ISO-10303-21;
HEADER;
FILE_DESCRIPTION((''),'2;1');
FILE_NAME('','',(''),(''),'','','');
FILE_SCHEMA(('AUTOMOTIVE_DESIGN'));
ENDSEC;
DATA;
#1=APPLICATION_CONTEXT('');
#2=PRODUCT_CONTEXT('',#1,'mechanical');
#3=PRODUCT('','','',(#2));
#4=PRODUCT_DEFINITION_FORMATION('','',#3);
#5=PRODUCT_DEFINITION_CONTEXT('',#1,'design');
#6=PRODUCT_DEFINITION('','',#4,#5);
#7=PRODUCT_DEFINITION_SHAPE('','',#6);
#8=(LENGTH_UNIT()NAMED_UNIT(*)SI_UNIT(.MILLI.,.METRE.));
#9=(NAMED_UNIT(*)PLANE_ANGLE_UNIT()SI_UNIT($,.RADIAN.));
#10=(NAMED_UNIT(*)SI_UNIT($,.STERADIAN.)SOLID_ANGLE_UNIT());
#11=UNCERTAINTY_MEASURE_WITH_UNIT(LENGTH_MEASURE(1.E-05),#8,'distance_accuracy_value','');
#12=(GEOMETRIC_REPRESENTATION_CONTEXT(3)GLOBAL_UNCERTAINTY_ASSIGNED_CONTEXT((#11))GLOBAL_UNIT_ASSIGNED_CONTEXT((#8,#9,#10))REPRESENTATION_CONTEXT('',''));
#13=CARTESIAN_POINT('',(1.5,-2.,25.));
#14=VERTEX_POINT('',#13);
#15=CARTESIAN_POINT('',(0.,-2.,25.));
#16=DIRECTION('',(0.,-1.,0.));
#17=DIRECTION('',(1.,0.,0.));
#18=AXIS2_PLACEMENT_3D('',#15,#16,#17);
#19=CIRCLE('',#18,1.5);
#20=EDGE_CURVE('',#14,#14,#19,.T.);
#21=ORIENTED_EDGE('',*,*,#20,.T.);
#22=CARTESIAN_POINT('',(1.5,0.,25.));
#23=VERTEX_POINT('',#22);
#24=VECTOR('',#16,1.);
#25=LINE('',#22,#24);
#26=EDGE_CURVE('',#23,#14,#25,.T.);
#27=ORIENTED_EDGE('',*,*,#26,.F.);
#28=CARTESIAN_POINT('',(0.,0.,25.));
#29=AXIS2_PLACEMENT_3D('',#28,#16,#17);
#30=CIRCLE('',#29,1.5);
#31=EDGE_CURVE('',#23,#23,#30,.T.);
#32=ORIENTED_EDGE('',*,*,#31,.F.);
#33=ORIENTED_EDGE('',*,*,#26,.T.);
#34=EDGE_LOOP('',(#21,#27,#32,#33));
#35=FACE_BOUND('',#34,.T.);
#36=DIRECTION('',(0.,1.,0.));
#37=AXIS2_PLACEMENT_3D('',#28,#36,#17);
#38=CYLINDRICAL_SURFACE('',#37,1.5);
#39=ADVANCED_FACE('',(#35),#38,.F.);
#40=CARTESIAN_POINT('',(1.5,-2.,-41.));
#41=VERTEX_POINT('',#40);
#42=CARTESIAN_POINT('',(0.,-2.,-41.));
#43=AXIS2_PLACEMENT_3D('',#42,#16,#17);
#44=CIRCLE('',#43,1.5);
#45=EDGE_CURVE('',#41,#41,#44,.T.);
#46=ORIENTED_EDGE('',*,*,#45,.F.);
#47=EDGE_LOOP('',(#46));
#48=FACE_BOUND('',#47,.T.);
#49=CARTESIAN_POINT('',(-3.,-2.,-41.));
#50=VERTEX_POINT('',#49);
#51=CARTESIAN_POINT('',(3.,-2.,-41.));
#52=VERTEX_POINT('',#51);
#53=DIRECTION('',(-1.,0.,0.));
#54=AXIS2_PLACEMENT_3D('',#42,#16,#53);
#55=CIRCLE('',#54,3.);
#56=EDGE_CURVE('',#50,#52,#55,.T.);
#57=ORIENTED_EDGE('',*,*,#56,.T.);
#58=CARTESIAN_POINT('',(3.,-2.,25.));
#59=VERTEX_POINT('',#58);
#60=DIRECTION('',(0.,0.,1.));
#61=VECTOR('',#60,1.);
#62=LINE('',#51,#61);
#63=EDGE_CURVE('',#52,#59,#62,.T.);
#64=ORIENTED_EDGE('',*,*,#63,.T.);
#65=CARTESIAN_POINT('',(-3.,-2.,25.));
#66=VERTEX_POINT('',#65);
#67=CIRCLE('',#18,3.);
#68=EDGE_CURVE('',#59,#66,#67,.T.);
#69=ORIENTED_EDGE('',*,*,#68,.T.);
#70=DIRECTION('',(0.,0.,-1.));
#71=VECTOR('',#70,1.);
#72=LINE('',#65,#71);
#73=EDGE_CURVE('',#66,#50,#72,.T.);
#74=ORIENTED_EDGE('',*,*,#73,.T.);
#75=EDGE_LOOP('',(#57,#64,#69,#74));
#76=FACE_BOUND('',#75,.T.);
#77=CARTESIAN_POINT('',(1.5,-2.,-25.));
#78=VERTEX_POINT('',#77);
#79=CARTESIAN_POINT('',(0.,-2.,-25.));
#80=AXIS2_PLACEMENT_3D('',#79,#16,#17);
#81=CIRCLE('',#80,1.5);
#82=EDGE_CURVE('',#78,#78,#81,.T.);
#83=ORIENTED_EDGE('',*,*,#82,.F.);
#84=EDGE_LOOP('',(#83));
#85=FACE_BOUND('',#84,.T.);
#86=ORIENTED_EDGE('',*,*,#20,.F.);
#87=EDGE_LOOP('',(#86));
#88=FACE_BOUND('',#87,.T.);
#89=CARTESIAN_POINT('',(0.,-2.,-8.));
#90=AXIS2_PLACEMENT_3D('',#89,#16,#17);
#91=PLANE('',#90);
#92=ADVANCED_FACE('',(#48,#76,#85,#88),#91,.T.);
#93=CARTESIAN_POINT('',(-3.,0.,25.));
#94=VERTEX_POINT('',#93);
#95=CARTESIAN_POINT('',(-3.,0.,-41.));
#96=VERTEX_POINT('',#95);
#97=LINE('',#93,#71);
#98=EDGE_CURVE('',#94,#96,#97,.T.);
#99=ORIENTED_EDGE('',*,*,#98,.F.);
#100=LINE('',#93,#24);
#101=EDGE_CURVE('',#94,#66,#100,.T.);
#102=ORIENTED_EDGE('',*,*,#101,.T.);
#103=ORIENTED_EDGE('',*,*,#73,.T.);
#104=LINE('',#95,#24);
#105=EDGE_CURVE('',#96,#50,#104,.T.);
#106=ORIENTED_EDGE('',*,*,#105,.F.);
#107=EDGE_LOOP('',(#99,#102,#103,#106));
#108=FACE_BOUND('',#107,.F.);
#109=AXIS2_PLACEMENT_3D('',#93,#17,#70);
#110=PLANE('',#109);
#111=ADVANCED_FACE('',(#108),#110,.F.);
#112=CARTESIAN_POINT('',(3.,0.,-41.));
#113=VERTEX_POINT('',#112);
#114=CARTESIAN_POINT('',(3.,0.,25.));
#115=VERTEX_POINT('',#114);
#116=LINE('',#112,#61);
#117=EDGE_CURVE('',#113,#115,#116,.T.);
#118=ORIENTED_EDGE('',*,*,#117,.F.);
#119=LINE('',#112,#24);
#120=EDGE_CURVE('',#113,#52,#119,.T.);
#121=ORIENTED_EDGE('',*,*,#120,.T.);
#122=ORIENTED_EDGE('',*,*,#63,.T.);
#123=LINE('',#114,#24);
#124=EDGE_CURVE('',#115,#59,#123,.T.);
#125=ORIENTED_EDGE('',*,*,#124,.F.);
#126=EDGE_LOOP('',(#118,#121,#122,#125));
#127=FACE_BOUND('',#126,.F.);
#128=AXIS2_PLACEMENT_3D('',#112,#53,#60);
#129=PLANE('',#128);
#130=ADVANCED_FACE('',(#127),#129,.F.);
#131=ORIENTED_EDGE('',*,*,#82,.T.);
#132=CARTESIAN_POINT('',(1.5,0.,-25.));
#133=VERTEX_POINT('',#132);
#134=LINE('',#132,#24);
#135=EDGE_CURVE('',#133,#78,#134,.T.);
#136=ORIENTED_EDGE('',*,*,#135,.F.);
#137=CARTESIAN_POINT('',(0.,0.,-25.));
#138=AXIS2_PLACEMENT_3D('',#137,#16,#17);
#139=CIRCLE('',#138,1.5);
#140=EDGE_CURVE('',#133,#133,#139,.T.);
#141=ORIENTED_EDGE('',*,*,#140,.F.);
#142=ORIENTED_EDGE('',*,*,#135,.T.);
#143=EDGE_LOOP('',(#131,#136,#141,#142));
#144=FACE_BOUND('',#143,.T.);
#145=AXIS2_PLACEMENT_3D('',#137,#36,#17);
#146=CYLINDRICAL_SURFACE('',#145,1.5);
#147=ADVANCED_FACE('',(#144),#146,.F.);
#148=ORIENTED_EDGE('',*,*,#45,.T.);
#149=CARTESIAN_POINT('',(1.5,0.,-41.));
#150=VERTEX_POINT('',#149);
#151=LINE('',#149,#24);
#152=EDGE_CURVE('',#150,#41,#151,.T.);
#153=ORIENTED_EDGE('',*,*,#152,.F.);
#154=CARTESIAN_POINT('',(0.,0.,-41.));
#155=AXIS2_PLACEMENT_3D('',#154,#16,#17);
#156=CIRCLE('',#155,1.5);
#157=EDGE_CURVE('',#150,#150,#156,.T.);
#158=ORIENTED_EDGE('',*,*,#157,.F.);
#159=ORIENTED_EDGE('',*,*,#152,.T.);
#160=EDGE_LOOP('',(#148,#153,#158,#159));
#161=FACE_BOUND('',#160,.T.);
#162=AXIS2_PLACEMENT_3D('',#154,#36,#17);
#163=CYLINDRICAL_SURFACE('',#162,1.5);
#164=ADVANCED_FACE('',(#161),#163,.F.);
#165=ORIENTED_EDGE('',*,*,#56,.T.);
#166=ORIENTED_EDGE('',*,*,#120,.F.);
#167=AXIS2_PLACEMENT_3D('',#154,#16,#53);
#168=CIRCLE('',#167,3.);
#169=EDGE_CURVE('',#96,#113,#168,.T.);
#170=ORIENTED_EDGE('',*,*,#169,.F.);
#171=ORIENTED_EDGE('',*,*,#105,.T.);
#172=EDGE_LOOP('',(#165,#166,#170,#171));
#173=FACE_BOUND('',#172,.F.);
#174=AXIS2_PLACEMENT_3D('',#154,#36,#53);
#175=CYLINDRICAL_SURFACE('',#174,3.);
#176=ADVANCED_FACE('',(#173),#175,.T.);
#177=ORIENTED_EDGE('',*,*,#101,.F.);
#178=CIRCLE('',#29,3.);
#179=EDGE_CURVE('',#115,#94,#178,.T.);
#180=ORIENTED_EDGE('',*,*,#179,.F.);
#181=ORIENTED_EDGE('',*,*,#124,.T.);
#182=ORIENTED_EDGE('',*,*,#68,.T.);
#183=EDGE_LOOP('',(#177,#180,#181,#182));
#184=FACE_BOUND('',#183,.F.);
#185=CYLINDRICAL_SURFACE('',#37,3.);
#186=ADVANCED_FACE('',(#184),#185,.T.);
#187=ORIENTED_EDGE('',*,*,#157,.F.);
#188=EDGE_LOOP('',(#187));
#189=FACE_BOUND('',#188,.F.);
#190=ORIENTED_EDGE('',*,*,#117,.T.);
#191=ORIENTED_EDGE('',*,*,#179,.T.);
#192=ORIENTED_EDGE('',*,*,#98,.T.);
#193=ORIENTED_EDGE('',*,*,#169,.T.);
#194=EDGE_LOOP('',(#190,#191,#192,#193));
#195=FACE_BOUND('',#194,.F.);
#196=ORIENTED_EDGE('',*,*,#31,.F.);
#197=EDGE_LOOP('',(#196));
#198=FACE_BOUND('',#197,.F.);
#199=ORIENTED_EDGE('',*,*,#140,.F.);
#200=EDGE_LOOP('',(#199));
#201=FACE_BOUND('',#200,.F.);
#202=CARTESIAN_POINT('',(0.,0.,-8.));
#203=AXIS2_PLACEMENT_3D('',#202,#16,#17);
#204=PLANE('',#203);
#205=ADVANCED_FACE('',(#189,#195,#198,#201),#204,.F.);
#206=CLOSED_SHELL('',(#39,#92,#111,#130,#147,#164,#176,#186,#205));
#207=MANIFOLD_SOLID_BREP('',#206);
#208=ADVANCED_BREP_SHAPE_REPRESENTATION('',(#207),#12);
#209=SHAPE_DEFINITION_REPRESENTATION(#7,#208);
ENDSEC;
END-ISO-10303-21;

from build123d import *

# Parameters (mm, degrees)
F0_R     = 1.5
F1_DEPTH = 2


with BuildPart() as f1:
    # F0 (on Front) → F1 (new body)
    with BuildSketch(Plane.XZ):
        with BuildLine():
            Line((3, -41), (3, -25))
            Line((3, -25), (3, 25))
            ThreePointArc((3, 25), (0, 28), (-3, 25))
            Line((-3, 25), (-3, -25))
            Line((-3, -25), (-3, -41))
            ThreePointArc((-3, -41), (0, -44), (3, -41))
        make_face()
        with Locations((0, -41)):
            Circle(F0_R, mode=Mode.SUBTRACT)
        with Locations((0, -25)):
            Circle(F0_R, mode=Mode.SUBTRACT)
        with Locations((0, 25)):
            Circle(F0_R, mode=Mode.SUBTRACT)
    extrude(amount=F1_DEPTH)


solid = f1.part
